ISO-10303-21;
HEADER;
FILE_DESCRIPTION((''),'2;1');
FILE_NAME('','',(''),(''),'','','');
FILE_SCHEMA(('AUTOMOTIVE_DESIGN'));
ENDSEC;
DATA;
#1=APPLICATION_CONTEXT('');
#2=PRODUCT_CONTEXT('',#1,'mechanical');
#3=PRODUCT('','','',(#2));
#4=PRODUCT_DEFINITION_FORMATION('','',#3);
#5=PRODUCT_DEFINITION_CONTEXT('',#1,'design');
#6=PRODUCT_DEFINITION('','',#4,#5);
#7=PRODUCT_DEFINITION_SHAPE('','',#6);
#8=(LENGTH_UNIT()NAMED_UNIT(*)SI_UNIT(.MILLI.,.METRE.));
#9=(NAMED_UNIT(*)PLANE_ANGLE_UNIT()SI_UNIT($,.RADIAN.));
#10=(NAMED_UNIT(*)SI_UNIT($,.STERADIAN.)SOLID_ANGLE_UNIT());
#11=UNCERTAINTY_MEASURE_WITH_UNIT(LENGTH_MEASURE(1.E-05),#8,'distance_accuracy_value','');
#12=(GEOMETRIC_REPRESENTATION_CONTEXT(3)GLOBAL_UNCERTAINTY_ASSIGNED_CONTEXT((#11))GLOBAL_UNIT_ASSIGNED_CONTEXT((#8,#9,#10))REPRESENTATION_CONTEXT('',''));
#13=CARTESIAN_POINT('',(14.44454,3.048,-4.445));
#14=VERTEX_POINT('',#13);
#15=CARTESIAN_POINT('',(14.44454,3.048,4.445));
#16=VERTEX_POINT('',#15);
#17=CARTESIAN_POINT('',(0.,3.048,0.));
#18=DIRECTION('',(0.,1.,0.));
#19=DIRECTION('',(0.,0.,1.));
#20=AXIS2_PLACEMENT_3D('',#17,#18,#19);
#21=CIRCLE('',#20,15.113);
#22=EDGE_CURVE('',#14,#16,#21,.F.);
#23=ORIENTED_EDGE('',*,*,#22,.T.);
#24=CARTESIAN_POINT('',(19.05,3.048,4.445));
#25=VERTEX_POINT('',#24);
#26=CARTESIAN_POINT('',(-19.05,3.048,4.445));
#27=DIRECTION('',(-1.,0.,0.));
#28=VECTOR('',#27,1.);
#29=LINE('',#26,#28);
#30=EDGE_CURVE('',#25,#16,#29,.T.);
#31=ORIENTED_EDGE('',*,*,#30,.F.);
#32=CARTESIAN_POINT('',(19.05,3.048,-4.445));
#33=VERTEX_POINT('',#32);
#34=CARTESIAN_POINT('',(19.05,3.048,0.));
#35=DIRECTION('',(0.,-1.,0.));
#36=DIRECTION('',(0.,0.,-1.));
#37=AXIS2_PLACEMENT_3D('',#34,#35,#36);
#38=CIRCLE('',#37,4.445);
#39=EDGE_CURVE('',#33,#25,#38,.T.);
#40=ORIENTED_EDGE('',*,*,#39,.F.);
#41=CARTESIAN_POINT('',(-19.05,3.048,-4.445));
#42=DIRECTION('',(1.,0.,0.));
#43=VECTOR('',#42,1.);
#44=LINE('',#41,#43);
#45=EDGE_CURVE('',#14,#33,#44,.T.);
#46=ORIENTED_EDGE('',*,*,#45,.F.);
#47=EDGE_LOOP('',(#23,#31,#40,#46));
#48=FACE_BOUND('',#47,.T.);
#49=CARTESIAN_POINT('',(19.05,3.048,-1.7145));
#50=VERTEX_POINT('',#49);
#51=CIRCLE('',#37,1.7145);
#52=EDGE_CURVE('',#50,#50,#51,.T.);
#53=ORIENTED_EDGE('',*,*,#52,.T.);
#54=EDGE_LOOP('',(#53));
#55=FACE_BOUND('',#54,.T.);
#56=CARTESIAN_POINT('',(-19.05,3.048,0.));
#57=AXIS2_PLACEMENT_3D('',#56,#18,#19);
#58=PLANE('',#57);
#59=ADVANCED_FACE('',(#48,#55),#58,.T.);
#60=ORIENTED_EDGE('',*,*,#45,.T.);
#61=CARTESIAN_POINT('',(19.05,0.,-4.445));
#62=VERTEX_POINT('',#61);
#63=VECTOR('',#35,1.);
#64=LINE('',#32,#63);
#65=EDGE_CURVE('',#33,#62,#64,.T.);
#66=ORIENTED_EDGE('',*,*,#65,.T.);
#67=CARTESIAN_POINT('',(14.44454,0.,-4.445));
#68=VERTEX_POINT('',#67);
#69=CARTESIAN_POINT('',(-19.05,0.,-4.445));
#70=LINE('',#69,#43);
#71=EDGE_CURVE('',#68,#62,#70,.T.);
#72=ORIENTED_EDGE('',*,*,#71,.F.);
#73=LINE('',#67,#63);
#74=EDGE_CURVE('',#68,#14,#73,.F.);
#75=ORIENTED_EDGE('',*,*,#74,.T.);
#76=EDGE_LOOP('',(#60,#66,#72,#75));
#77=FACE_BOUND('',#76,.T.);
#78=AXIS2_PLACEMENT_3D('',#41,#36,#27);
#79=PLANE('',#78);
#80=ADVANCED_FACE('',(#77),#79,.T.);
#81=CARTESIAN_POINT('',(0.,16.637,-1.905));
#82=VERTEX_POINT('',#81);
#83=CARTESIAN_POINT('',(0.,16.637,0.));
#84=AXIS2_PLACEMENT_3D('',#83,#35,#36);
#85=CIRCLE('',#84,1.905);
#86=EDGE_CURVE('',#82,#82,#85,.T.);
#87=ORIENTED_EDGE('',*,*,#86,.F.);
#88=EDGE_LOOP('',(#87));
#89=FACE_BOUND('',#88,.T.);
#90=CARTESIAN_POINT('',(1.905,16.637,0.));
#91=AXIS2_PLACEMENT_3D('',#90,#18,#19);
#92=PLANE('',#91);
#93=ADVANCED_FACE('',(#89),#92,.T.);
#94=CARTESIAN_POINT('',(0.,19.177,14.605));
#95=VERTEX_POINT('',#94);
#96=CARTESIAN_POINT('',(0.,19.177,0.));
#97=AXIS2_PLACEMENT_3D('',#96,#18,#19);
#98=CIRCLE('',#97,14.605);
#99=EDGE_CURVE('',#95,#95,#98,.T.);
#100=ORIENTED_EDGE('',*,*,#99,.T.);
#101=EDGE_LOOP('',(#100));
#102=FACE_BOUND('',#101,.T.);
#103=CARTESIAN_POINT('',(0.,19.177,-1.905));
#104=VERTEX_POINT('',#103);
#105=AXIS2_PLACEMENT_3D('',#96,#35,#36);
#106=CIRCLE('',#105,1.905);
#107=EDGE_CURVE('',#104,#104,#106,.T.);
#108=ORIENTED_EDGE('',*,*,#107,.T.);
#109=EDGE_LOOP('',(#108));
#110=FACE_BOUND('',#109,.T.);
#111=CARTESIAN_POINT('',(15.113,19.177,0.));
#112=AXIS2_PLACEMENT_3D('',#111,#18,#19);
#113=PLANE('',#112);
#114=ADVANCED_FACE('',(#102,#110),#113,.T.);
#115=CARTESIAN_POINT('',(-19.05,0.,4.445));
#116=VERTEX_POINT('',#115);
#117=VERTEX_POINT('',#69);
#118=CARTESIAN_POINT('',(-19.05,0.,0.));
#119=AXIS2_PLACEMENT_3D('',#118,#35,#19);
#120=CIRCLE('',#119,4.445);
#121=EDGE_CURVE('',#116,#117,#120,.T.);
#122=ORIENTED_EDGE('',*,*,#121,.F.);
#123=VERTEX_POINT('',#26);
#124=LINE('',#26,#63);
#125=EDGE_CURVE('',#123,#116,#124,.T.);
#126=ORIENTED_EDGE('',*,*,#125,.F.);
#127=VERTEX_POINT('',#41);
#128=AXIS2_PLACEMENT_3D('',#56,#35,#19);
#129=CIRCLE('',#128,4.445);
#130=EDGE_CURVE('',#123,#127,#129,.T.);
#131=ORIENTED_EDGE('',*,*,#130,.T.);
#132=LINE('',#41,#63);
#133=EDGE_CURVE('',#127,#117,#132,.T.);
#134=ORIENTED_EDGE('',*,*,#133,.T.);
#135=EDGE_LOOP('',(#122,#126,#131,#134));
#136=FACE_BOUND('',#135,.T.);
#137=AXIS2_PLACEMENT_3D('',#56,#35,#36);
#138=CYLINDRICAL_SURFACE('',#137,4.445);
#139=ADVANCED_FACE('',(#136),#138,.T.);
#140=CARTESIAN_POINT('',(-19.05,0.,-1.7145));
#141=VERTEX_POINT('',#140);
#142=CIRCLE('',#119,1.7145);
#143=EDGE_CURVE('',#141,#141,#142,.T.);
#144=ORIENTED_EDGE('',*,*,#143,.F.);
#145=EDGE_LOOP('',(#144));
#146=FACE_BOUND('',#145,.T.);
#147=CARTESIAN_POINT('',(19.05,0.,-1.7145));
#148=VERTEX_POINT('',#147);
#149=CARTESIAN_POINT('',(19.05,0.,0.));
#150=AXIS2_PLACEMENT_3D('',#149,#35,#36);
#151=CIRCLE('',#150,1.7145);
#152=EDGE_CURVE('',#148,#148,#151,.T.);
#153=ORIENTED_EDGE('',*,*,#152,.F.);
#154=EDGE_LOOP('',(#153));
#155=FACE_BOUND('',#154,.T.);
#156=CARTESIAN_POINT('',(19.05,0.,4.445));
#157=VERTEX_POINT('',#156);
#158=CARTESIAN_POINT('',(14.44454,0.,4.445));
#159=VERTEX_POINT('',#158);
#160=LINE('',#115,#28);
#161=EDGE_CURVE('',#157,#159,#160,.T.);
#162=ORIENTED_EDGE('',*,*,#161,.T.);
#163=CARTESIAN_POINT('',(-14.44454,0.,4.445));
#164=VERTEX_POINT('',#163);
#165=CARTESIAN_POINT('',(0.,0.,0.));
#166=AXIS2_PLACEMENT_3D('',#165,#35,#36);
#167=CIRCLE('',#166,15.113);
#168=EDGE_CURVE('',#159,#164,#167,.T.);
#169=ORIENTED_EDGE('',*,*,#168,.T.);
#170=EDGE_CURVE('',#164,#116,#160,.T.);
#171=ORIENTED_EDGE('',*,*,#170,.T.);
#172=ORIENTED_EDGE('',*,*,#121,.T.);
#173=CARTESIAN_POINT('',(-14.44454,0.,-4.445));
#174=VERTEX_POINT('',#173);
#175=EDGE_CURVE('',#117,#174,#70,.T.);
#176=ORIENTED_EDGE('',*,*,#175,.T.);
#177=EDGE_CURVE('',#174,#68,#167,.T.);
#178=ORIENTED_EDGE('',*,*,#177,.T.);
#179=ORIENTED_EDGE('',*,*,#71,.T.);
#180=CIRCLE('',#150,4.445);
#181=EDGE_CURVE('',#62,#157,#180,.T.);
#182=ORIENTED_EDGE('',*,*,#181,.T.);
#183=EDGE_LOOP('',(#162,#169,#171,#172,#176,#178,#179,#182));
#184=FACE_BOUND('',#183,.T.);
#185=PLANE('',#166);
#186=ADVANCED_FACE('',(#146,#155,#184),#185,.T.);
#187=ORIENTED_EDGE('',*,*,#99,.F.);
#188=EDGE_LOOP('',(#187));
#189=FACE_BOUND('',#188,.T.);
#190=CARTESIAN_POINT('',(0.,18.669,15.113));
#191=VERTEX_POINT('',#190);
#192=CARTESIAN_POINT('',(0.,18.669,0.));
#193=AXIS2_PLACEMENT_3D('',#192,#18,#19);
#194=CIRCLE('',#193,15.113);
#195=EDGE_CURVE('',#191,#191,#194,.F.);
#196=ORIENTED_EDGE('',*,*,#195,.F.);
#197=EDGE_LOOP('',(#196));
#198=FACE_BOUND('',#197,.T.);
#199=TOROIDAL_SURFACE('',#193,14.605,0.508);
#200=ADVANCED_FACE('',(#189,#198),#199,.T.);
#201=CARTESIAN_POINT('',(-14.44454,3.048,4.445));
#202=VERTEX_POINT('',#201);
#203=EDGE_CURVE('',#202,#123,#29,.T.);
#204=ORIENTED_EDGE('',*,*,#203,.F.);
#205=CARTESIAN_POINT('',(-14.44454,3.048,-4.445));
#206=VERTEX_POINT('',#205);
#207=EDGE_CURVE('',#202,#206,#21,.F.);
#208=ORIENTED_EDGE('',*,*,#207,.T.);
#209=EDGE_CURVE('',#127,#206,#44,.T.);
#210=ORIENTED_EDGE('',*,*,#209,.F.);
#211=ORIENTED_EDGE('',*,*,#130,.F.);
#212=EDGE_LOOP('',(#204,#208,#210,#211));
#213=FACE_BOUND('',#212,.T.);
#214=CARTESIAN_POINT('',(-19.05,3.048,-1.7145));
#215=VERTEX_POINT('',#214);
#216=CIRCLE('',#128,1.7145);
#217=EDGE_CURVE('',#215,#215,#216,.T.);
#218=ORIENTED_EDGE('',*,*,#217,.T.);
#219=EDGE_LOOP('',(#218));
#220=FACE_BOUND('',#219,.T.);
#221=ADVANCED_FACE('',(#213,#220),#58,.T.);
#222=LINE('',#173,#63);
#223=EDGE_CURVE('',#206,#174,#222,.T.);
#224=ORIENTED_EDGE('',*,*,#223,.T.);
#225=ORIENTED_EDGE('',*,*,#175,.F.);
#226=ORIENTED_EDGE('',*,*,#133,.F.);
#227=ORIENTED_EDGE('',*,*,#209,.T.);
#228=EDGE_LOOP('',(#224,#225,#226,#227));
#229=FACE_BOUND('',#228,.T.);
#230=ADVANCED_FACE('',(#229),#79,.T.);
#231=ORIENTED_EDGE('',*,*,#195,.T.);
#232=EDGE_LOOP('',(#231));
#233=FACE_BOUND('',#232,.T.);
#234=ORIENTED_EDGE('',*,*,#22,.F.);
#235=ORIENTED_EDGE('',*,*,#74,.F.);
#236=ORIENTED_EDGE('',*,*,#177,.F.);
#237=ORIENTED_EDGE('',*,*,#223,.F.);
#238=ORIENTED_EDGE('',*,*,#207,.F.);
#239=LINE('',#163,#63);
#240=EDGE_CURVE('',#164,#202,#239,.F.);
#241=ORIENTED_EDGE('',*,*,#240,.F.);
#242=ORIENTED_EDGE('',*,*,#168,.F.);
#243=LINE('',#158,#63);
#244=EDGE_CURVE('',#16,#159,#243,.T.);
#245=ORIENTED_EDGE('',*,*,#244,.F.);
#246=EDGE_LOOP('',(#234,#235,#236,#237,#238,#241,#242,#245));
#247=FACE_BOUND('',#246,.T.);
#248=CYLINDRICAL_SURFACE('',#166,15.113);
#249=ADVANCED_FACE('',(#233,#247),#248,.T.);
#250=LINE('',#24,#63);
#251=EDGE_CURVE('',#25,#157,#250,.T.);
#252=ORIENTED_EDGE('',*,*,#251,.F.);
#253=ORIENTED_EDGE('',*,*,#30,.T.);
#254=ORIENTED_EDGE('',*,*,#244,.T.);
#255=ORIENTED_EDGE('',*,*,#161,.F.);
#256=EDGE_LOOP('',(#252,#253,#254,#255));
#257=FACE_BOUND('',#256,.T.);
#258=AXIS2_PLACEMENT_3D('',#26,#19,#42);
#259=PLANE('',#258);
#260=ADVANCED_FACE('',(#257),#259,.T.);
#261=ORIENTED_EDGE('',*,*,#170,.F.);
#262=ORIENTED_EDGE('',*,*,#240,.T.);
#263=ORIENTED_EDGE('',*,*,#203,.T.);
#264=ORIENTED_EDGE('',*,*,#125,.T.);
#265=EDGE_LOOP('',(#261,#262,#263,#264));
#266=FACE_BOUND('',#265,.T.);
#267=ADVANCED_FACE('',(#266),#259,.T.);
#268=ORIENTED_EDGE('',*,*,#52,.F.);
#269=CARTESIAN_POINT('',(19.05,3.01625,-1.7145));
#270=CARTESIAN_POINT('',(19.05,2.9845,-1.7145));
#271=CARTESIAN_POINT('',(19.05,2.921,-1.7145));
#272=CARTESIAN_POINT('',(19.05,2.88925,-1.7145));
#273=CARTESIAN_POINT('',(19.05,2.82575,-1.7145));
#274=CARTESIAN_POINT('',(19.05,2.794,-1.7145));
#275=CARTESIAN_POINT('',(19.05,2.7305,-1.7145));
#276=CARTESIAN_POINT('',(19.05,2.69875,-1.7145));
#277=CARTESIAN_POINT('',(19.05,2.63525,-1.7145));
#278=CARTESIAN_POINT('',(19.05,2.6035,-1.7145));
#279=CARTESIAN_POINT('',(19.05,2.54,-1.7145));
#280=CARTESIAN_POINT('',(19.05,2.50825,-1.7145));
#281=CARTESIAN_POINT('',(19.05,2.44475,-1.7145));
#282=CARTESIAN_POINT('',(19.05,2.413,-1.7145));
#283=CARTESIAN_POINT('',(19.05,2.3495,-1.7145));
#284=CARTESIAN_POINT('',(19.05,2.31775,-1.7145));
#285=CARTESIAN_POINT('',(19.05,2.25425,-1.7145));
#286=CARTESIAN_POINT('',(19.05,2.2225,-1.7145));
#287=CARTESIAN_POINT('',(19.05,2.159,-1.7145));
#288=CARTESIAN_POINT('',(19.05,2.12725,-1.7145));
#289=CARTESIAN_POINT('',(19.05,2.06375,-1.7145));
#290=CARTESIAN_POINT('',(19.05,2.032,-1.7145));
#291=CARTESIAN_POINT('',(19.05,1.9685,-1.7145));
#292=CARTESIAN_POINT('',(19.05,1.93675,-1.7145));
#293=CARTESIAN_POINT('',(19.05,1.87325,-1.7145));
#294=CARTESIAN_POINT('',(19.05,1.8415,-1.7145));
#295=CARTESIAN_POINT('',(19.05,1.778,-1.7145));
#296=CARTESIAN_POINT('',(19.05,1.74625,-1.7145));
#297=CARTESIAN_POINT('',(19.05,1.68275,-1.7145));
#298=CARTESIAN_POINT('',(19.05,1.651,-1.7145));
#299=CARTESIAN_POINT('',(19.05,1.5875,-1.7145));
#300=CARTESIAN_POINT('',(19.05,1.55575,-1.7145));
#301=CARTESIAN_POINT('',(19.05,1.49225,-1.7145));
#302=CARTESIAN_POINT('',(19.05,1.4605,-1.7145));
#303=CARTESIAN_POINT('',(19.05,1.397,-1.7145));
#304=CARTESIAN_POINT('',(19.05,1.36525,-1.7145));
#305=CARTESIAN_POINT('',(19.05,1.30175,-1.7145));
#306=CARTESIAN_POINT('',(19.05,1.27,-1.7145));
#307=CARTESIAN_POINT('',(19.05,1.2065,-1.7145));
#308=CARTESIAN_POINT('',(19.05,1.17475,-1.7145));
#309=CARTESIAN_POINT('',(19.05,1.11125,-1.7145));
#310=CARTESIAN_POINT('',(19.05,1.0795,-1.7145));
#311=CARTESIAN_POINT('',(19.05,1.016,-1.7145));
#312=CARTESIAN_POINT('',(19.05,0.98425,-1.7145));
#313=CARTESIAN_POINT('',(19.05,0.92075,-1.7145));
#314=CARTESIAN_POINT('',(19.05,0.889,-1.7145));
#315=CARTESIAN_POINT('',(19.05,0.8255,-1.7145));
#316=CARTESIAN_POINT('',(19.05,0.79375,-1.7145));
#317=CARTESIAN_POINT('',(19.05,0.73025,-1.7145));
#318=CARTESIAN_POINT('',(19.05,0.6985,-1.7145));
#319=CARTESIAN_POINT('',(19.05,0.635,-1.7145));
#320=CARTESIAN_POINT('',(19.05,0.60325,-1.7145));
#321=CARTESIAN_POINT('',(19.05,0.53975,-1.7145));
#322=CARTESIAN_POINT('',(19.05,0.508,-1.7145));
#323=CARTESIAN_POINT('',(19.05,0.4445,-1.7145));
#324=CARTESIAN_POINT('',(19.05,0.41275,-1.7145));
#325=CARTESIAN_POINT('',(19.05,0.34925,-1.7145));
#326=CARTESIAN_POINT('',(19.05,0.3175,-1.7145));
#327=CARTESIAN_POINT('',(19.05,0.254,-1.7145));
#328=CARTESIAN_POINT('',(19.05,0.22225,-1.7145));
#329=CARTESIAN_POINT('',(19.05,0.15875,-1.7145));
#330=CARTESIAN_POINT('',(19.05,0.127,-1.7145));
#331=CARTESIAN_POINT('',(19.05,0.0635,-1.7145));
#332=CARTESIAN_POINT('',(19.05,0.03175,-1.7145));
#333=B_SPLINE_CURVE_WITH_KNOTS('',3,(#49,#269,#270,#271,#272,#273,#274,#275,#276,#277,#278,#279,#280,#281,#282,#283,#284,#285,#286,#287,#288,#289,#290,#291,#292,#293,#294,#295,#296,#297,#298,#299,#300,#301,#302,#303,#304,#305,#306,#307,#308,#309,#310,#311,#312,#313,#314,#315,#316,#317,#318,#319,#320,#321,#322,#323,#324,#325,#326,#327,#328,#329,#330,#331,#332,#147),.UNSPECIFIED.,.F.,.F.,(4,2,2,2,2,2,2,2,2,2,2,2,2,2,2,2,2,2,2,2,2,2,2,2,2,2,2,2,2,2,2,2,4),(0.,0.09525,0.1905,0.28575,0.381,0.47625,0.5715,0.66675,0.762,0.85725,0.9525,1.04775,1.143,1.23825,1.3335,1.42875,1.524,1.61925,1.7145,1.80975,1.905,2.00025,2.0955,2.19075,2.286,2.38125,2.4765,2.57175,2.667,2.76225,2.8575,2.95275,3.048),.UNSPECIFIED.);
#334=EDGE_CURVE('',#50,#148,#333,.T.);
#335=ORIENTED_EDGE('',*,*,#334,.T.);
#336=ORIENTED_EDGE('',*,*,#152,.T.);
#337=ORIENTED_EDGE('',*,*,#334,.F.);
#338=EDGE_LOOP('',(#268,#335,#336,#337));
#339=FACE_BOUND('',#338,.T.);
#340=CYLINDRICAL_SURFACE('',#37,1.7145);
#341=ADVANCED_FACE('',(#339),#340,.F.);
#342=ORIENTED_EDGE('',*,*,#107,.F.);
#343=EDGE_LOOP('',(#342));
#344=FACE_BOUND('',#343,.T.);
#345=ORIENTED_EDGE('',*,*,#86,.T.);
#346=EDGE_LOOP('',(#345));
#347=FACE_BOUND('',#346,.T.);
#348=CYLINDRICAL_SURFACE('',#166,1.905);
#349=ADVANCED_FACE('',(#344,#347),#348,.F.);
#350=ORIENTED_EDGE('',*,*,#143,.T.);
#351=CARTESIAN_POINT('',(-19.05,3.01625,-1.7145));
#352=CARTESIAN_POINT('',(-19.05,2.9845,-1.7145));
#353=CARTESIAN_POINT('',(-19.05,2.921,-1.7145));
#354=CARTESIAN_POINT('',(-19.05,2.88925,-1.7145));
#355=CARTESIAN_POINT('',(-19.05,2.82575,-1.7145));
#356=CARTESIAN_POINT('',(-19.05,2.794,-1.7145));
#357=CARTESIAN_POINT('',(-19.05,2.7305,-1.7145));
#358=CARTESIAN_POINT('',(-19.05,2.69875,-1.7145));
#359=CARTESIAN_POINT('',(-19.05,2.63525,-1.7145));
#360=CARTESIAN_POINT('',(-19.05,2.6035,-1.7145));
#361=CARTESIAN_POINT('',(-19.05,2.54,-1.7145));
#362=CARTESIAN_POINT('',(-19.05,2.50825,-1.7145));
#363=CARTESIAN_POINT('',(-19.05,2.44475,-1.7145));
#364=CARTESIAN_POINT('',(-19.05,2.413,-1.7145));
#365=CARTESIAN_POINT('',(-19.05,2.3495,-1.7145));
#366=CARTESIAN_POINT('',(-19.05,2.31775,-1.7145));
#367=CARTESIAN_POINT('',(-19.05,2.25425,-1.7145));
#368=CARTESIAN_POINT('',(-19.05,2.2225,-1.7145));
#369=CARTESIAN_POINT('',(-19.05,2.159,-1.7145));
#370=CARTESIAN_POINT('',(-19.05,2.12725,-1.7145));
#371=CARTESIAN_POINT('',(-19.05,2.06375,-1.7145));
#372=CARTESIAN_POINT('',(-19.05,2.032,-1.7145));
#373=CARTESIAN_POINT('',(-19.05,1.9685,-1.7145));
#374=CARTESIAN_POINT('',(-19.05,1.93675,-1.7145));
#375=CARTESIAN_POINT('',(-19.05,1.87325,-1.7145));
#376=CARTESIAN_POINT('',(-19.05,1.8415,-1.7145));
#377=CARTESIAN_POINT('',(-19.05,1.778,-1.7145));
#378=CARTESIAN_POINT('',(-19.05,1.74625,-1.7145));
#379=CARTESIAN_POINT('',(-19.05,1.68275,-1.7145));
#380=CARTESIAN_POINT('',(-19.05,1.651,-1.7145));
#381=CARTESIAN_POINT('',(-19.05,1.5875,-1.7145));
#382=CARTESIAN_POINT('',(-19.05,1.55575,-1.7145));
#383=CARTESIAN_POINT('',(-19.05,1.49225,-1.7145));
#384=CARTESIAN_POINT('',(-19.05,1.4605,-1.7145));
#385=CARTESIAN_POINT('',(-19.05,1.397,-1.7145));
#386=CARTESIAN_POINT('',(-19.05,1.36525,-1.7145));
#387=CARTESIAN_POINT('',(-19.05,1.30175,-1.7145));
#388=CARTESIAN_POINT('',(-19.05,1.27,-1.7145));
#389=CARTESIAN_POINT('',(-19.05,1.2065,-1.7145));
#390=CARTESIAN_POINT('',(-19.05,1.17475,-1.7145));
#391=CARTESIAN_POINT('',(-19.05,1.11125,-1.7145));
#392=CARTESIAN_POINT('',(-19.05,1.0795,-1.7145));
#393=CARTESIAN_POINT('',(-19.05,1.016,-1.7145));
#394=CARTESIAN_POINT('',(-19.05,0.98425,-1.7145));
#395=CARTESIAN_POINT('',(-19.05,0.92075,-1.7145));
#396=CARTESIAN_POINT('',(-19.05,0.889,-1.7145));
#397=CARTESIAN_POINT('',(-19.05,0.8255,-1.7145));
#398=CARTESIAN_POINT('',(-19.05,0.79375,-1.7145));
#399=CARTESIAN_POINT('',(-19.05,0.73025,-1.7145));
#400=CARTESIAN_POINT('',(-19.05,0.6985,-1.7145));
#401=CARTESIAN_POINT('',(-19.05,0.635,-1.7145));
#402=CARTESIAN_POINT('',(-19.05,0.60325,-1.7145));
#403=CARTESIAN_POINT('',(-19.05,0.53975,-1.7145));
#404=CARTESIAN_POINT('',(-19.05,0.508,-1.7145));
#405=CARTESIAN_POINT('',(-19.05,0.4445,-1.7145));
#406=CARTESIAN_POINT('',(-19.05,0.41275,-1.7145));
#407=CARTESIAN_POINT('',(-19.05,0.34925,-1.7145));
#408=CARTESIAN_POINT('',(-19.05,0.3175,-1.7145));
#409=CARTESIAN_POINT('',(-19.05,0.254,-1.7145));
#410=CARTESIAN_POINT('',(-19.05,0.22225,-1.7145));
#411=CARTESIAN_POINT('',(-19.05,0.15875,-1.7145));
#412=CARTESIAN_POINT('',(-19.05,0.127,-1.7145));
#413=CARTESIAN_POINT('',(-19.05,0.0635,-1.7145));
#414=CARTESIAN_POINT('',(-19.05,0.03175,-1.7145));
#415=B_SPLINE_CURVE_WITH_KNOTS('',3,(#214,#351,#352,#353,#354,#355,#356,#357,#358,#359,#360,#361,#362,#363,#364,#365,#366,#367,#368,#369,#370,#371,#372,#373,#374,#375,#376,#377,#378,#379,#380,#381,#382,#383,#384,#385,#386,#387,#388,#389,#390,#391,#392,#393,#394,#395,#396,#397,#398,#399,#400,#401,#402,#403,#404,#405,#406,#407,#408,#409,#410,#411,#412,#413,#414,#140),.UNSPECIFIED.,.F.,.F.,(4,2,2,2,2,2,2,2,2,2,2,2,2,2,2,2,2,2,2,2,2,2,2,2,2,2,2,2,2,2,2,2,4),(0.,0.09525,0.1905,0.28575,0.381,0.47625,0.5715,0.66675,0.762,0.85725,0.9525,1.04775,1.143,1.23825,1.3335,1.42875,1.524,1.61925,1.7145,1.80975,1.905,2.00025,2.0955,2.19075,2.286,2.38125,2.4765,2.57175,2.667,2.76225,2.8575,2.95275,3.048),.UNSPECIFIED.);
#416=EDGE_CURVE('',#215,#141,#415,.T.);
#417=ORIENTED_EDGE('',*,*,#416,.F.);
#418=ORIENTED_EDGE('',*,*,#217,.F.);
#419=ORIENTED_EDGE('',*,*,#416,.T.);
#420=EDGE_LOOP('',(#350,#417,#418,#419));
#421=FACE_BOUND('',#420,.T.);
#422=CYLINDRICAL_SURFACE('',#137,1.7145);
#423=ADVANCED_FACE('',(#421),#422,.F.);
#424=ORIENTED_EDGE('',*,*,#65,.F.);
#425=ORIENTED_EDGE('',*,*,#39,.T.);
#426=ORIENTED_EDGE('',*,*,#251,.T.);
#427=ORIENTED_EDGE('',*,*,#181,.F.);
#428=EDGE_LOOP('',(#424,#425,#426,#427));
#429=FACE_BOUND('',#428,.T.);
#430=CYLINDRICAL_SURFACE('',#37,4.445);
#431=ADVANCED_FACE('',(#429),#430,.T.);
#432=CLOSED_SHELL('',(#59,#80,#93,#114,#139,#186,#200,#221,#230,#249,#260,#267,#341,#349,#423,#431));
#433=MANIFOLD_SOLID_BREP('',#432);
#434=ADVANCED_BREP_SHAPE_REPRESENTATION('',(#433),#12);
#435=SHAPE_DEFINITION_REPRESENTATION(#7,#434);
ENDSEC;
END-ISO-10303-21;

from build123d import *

# Parameters (mm, degrees)
SKETCH3_R           = 1.7145
BOSS_EXTRUDE1_DEPTH = 3.048
FILLET2_R           = 0.508


with BuildPart() as part:
    # Sketch2 → Revolve1 (revolve)
    with BuildSketch(Plane.XY, mode=Mode.PRIVATE) as revolve1_sk:
        Polygon((0, 0), (15.113, 0), (15.113, 19.177), (1.905, 19.177), (1.905, 16.637), (0, 16.637), align=None)
    revolve(revolve1_sk.sketch.rotate(Axis((0, 0, 0), (0, 1, 0)), 90), axis=Axis((0, 0, 0), (0, 1, 0)))

    # Sketch3 → Boss-Extrude1 (add)
    with BuildSketch(Plane.XZ):
        with BuildLine():
            Line((-19.05, 4.445), (19.05, 4.445))
            ThreePointArc((19.05, 4.445), (23.495, 0), (19.05, -4.445))
            Line((19.05, -4.445), (-19.05, -4.445))
            ThreePointArc((-19.05, -4.445), (-23.495, 0), (-19.05, 4.445))
        make_face()
        with Locations(Location((19.05, 0, 0), (0, 0, 270))):
            Circle(SKETCH3_R, mode=Mode.SUBTRACT)
        with Locations(Location((-19.05, 0, 0), (0, 0, 270))):
            Circle(SKETCH3_R, mode=Mode.SUBTRACT)
    extrude(amount=-BOSS_EXTRUDE1_DEPTH)

    # Fillet2
    fillet2_edges = [part.edges().sort_by_distance(p)[0] for p in [
        (0, 19.177, 15.113),
    ]]
    fillet(fillet2_edges, radius=FILLET2_R)


solid = part.part
